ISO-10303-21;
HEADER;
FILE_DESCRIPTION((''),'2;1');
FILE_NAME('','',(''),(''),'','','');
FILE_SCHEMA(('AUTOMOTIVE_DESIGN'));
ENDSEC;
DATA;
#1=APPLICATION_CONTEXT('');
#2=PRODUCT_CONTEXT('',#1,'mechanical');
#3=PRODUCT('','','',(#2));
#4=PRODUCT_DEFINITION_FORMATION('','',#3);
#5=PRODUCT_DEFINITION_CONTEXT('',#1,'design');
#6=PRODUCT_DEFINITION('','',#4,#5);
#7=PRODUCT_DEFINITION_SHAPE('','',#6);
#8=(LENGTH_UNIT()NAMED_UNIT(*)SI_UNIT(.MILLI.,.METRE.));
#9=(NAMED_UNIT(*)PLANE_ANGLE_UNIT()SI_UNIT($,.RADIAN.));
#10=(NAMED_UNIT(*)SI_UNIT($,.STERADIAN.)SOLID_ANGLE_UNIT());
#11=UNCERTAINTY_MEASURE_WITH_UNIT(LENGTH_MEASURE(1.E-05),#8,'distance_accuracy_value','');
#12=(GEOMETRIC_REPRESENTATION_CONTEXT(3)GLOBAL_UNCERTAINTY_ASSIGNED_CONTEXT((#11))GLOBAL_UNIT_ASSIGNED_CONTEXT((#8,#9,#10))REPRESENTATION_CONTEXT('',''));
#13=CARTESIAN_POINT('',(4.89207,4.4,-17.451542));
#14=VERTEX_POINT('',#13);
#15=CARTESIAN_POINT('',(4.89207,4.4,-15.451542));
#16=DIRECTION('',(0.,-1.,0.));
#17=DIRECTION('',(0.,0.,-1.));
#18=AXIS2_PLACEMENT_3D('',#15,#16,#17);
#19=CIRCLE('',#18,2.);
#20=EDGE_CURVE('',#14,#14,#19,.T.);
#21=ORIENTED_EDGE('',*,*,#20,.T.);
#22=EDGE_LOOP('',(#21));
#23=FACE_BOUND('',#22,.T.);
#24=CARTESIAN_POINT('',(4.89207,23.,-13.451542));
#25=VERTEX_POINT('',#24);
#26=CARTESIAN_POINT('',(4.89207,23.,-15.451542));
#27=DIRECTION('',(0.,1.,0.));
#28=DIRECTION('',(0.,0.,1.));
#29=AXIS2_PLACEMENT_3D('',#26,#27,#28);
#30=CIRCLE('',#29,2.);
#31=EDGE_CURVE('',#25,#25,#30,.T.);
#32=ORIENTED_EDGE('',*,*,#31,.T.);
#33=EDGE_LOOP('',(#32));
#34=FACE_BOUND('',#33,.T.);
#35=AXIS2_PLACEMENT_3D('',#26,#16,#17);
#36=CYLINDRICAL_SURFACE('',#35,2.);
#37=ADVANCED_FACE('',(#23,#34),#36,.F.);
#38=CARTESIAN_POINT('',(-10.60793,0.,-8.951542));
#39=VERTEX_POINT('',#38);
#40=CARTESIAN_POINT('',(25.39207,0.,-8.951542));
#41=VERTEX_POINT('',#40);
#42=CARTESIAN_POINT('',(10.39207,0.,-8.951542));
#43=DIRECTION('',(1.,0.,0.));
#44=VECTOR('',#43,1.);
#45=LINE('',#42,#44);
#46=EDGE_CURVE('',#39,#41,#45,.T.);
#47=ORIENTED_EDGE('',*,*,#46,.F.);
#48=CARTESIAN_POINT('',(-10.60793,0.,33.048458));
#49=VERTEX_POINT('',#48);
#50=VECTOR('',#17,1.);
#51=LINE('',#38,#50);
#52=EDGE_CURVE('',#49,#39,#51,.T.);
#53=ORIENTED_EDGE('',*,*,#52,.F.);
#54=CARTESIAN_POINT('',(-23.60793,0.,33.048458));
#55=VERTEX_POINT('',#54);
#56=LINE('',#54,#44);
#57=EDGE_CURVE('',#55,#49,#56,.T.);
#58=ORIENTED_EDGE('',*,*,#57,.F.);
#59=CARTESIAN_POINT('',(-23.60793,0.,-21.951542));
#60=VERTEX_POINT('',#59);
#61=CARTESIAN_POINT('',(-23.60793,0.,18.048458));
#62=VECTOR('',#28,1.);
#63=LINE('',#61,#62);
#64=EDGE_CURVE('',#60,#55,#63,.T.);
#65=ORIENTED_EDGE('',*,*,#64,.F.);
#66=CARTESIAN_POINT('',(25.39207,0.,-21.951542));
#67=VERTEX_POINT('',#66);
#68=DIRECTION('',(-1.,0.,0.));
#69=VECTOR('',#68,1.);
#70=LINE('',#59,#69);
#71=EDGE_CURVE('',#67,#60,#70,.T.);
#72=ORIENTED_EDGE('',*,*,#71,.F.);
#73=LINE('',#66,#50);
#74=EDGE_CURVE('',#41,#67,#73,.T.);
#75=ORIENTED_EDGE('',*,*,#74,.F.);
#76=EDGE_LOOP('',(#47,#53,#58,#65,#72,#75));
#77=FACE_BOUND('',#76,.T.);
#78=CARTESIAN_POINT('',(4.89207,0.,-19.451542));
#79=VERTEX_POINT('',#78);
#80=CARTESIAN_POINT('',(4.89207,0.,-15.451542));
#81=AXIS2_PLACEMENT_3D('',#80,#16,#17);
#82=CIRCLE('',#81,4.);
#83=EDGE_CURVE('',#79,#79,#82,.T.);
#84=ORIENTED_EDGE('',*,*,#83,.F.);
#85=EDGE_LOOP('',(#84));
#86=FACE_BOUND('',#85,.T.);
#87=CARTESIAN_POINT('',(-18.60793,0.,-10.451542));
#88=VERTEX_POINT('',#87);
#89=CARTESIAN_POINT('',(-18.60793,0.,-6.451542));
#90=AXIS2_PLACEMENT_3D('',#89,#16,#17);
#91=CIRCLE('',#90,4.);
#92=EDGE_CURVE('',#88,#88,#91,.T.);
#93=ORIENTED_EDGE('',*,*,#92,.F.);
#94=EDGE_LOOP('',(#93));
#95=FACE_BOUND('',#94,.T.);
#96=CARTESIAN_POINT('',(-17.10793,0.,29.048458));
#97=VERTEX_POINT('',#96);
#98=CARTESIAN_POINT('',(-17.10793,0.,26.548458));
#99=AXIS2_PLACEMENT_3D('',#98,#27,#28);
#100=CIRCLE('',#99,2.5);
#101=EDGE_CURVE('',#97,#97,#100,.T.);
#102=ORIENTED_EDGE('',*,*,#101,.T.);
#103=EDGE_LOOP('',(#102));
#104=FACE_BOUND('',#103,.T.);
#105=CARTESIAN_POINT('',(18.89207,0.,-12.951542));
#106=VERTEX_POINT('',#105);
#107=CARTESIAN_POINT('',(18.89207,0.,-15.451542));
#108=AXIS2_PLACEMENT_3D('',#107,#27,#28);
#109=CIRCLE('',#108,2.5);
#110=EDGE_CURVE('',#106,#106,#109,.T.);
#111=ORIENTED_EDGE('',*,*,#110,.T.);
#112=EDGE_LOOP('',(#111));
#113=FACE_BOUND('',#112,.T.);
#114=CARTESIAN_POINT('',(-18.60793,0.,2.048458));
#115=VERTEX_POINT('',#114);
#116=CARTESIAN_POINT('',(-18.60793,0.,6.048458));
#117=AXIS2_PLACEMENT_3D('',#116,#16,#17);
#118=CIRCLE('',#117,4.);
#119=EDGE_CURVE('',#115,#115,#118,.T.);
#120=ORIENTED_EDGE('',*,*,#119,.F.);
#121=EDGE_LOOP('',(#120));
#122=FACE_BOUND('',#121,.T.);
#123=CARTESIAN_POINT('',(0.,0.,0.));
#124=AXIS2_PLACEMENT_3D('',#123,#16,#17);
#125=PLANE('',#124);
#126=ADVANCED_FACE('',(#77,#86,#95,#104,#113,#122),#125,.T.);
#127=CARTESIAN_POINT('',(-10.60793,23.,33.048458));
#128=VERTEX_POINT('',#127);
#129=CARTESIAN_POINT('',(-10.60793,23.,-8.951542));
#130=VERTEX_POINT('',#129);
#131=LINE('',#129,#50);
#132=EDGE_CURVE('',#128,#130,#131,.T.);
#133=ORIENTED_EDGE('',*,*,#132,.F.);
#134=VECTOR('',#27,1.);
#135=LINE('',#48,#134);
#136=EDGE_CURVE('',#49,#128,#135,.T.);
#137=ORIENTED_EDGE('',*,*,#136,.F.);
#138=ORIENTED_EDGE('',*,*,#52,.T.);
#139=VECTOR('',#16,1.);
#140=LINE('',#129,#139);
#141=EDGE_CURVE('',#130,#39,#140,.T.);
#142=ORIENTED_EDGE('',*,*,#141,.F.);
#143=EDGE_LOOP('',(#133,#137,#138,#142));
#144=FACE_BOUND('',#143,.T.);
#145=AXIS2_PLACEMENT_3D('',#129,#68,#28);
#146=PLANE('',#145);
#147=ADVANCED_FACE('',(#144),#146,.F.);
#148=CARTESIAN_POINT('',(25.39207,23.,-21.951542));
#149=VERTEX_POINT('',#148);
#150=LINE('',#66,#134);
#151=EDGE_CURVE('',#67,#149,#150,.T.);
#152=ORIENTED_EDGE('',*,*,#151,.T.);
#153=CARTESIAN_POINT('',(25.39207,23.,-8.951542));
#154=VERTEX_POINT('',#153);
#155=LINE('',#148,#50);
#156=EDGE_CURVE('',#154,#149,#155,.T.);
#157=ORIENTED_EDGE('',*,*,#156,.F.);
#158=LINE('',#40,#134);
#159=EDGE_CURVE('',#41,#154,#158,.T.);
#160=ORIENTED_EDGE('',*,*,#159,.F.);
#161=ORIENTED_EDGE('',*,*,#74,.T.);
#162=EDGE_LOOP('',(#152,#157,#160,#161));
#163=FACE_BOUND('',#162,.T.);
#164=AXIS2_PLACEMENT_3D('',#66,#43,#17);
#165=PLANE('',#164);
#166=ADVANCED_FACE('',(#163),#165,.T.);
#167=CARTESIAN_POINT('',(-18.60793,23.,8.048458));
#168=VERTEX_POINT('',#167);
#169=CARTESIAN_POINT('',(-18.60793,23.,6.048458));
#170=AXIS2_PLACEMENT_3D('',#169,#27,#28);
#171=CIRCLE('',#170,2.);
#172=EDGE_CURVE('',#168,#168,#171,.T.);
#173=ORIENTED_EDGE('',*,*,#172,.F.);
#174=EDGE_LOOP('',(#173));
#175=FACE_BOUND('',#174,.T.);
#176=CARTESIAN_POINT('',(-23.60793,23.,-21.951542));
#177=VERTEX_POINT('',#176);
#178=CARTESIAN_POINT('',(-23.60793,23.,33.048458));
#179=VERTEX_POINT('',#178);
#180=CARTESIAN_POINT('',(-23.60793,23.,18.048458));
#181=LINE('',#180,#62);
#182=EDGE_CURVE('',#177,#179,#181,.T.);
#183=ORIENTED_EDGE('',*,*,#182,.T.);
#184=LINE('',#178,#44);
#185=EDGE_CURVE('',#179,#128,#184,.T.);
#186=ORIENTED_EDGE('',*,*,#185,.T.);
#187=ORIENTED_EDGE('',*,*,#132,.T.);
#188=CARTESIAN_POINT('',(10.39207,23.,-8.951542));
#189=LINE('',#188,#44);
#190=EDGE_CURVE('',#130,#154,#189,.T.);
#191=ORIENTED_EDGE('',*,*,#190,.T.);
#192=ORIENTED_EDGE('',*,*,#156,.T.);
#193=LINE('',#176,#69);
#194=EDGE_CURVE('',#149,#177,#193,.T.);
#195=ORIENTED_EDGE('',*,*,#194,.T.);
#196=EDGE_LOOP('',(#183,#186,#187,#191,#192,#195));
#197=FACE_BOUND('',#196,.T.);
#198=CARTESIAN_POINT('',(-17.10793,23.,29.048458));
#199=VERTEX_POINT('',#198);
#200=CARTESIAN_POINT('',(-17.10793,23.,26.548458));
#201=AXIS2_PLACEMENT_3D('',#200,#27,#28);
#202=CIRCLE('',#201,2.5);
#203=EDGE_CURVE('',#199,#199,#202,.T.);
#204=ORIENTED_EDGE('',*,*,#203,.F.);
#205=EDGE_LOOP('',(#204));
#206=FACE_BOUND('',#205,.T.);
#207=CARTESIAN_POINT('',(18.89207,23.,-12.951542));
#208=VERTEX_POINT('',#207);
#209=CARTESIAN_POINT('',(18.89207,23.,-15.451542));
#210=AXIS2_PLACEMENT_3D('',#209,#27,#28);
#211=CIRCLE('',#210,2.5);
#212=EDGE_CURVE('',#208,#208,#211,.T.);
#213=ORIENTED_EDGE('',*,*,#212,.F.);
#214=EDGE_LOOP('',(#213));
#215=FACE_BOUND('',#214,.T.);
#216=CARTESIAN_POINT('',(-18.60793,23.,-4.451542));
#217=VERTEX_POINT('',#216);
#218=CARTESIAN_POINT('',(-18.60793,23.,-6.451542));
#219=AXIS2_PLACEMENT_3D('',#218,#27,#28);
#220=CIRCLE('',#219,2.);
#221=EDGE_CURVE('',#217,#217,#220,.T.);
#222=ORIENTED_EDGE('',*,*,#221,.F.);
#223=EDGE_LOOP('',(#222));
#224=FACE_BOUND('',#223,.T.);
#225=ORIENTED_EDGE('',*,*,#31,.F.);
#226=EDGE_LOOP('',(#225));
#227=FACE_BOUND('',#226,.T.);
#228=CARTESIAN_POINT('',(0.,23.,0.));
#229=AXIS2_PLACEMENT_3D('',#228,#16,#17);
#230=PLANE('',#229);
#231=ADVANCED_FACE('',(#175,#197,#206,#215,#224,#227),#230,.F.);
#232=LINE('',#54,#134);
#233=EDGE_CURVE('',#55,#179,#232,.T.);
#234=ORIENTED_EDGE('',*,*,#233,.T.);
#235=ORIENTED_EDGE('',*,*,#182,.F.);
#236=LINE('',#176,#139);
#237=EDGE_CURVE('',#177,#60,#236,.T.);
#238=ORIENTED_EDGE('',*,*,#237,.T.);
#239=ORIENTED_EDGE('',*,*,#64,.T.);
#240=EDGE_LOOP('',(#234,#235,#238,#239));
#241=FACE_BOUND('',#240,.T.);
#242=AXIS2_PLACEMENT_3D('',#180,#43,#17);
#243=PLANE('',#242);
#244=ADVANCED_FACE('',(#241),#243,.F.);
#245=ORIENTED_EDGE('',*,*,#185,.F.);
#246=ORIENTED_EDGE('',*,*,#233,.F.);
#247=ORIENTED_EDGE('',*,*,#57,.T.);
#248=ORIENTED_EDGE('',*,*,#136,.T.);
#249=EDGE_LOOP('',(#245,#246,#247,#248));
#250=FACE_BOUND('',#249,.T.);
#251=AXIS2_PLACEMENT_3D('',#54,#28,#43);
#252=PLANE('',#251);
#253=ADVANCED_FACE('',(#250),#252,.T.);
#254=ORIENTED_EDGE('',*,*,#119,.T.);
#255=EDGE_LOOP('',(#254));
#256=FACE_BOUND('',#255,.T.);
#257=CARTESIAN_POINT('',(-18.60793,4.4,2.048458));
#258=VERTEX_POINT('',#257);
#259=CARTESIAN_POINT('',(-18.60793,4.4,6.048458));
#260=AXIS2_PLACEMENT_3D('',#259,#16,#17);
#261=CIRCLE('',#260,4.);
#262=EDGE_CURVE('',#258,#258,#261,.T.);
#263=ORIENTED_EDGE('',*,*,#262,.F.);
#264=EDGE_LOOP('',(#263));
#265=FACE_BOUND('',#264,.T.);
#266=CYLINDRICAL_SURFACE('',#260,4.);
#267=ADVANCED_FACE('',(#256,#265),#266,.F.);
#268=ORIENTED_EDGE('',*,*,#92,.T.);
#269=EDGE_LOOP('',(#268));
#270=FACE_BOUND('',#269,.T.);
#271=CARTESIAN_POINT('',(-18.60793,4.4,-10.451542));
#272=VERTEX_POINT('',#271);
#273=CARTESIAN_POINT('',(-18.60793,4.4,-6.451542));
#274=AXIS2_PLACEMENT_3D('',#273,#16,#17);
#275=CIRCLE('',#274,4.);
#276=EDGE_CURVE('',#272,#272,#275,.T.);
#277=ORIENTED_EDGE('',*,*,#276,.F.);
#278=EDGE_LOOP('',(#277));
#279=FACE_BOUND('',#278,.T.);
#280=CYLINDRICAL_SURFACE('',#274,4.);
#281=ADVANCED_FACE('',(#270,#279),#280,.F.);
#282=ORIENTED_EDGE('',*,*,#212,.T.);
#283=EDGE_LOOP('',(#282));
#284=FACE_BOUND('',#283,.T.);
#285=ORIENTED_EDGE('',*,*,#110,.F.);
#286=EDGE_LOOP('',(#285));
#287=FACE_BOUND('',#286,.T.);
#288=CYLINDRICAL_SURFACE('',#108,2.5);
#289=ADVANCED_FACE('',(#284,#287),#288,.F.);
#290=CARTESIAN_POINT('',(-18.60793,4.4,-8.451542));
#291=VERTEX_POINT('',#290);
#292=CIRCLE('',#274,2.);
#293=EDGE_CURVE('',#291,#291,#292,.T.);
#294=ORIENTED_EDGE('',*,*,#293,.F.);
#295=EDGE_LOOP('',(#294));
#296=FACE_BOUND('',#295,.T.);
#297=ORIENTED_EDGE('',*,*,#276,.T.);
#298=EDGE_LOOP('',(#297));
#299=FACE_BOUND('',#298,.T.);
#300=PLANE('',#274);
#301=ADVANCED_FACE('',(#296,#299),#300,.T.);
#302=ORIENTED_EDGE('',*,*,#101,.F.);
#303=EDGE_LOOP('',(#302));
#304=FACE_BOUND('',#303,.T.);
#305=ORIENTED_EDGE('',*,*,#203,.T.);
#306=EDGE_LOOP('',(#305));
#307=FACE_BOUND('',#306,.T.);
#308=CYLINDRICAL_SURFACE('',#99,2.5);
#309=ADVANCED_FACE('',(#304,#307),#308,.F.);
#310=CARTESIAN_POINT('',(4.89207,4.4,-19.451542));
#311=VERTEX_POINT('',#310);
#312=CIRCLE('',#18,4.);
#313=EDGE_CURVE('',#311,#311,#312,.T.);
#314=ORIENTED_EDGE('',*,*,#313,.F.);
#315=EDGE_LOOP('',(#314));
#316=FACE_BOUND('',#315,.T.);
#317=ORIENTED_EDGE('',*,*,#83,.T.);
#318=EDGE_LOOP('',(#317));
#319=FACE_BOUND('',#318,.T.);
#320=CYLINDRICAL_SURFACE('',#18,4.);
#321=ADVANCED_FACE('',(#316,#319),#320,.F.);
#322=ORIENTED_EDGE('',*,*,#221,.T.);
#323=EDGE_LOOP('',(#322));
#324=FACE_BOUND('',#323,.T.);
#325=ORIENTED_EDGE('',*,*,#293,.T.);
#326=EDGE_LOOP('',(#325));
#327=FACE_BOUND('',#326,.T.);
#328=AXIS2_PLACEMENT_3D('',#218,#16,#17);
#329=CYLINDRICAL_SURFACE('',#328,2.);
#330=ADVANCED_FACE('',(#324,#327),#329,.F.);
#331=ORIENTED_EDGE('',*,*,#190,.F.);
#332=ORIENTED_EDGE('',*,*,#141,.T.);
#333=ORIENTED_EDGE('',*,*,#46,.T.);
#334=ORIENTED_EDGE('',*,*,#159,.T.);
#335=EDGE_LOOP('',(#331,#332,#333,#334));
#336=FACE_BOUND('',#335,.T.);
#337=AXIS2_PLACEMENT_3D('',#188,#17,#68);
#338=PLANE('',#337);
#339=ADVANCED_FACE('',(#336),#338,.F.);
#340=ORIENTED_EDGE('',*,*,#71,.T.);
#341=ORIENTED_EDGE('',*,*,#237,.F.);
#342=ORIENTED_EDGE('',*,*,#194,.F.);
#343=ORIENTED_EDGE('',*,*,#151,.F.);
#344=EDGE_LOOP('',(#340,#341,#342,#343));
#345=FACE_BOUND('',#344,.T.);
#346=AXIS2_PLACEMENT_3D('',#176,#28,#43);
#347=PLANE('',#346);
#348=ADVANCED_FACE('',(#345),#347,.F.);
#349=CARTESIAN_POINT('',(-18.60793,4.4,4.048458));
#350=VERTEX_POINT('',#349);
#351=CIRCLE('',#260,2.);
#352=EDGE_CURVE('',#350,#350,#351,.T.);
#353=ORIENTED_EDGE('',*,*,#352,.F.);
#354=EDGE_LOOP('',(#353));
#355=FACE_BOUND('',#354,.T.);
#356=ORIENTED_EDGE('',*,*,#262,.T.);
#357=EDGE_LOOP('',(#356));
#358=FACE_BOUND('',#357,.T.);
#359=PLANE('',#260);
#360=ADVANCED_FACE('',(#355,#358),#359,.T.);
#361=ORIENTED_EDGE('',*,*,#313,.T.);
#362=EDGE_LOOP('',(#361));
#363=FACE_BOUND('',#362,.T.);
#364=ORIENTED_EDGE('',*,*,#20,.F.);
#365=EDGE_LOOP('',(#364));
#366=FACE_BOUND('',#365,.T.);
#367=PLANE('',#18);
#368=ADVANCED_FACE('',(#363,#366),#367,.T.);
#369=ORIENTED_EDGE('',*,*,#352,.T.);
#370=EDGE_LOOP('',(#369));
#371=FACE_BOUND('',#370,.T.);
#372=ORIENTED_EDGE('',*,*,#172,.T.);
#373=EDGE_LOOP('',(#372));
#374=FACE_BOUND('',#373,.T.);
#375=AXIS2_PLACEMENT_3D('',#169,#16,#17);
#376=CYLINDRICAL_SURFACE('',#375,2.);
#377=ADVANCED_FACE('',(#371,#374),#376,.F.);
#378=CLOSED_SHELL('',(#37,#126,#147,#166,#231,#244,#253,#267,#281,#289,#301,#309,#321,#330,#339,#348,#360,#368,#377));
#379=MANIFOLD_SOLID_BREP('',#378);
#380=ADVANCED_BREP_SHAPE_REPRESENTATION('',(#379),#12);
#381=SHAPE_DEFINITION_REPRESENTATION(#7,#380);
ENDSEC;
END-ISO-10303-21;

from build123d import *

# Parameters (mm, degrees)
SKETCH1_R           = 2
BOSS_EXTRUDE1_DEPTH = 23
SKETCH2_W           = 15
SKETCH2_H           = 13
SKETCH2_W_2         = 13
SKETCH2_H_2         = 15
BOSS_EXTRUDE2_DEPTH = 23
SKETCH3_R           = 2.5
CUT_EXTRUDE1_DEPTH  = 23
SKETCH4_R           = 4
CUT_EXTRUDE2_DEPTH  = 4.4


with BuildPart() as part:
    # Sketch1 → Boss-Extrude1 (new body)
    with BuildSketch(Plane(origin=(0, 0, 0), x_dir=(1, 0, 0), z_dir=(0, 1, 0))):
        Polygon((-23.607929515, -18.04845815), (-23.607929515, 21.95154185), (10.392070485, 21.95154185), (10.392070485, 8.95154185), (-10.607929515, 8.95154185), (-10.607929515, -18.04845815), align=None)
        with Locations(Location((-18.607929515, -6.04845815, 0), (0, 0, 270))):  # turned: the seam where the file's is
            Circle(SKETCH1_R, mode=Mode.SUBTRACT)
        with Locations(Location((-18.607929515, 6.45154185, 0), (0, 0, 270))):  # turned: the seam where the file's is
            Circle(SKETCH1_R, mode=Mode.SUBTRACT)
        with Locations(Location((4.892070485, 15.45154185, 0), (0, 0, 270))):  # turned: the seam where the file's is
            Circle(SKETCH1_R, mode=Mode.SUBTRACT)
    extrude(amount=BOSS_EXTRUDE1_DEPTH)

    # Sketch2 → Boss-Extrude2 (add)
    with BuildSketch(Plane(origin=(0, 23, 0), x_dir=(1, 0, 0), z_dir=(0, 1, 0))):
        with Locations((17.892070485, 15.45154185)):
            Rectangle(SKETCH2_W, SKETCH2_H)
        with Locations((-17.107929515, -25.54845815)):
            Rectangle(SKETCH2_W_2, SKETCH2_H_2)
    extrude(amount=-BOSS_EXTRUDE2_DEPTH)

    # Sketch3 → Cut-Extrude1 (cut)
    with BuildSketch(Plane(origin=(0, 23, 0), x_dir=(1, 0, 0), z_dir=(0, 1, 0))):
        with Locations(Location((18.892070485, 15.45154185, 0), (0, 0, 270))):  # turned: the seam where the file's is
            Circle(SKETCH3_R)
        with Locations(Location((-17.107929515, -26.54845815, 0), (0, 0, 270))):  # turned: the seam where the file's is
            Circle(SKETCH3_R)
    extrude(amount=-CUT_EXTRUDE1_DEPTH, mode=Mode.SUBTRACT)

    # Sketch4 → Cut-Extrude2 (cut)
    with BuildSketch(Plane.XZ):
        with Locations(Location((-18.607929515, 6.04845815, 0), (0, 0, 270))):  # turned: the seam where the file's is
            Circle(SKETCH4_R)
        with Locations(Location((-18.607929515, -6.45154185, 0), (0, 0, 270))):  # turned: the seam where the file's is
            Circle(SKETCH4_R)
        with Locations(Location((4.892070485, -15.45154185, 0), (0, 0, 270))):  # turned: the seam where the file's is
            Circle(SKETCH4_R)
    extrude(amount=-CUT_EXTRUDE2_DEPTH, mode=Mode.SUBTRACT)


solid = part.part
